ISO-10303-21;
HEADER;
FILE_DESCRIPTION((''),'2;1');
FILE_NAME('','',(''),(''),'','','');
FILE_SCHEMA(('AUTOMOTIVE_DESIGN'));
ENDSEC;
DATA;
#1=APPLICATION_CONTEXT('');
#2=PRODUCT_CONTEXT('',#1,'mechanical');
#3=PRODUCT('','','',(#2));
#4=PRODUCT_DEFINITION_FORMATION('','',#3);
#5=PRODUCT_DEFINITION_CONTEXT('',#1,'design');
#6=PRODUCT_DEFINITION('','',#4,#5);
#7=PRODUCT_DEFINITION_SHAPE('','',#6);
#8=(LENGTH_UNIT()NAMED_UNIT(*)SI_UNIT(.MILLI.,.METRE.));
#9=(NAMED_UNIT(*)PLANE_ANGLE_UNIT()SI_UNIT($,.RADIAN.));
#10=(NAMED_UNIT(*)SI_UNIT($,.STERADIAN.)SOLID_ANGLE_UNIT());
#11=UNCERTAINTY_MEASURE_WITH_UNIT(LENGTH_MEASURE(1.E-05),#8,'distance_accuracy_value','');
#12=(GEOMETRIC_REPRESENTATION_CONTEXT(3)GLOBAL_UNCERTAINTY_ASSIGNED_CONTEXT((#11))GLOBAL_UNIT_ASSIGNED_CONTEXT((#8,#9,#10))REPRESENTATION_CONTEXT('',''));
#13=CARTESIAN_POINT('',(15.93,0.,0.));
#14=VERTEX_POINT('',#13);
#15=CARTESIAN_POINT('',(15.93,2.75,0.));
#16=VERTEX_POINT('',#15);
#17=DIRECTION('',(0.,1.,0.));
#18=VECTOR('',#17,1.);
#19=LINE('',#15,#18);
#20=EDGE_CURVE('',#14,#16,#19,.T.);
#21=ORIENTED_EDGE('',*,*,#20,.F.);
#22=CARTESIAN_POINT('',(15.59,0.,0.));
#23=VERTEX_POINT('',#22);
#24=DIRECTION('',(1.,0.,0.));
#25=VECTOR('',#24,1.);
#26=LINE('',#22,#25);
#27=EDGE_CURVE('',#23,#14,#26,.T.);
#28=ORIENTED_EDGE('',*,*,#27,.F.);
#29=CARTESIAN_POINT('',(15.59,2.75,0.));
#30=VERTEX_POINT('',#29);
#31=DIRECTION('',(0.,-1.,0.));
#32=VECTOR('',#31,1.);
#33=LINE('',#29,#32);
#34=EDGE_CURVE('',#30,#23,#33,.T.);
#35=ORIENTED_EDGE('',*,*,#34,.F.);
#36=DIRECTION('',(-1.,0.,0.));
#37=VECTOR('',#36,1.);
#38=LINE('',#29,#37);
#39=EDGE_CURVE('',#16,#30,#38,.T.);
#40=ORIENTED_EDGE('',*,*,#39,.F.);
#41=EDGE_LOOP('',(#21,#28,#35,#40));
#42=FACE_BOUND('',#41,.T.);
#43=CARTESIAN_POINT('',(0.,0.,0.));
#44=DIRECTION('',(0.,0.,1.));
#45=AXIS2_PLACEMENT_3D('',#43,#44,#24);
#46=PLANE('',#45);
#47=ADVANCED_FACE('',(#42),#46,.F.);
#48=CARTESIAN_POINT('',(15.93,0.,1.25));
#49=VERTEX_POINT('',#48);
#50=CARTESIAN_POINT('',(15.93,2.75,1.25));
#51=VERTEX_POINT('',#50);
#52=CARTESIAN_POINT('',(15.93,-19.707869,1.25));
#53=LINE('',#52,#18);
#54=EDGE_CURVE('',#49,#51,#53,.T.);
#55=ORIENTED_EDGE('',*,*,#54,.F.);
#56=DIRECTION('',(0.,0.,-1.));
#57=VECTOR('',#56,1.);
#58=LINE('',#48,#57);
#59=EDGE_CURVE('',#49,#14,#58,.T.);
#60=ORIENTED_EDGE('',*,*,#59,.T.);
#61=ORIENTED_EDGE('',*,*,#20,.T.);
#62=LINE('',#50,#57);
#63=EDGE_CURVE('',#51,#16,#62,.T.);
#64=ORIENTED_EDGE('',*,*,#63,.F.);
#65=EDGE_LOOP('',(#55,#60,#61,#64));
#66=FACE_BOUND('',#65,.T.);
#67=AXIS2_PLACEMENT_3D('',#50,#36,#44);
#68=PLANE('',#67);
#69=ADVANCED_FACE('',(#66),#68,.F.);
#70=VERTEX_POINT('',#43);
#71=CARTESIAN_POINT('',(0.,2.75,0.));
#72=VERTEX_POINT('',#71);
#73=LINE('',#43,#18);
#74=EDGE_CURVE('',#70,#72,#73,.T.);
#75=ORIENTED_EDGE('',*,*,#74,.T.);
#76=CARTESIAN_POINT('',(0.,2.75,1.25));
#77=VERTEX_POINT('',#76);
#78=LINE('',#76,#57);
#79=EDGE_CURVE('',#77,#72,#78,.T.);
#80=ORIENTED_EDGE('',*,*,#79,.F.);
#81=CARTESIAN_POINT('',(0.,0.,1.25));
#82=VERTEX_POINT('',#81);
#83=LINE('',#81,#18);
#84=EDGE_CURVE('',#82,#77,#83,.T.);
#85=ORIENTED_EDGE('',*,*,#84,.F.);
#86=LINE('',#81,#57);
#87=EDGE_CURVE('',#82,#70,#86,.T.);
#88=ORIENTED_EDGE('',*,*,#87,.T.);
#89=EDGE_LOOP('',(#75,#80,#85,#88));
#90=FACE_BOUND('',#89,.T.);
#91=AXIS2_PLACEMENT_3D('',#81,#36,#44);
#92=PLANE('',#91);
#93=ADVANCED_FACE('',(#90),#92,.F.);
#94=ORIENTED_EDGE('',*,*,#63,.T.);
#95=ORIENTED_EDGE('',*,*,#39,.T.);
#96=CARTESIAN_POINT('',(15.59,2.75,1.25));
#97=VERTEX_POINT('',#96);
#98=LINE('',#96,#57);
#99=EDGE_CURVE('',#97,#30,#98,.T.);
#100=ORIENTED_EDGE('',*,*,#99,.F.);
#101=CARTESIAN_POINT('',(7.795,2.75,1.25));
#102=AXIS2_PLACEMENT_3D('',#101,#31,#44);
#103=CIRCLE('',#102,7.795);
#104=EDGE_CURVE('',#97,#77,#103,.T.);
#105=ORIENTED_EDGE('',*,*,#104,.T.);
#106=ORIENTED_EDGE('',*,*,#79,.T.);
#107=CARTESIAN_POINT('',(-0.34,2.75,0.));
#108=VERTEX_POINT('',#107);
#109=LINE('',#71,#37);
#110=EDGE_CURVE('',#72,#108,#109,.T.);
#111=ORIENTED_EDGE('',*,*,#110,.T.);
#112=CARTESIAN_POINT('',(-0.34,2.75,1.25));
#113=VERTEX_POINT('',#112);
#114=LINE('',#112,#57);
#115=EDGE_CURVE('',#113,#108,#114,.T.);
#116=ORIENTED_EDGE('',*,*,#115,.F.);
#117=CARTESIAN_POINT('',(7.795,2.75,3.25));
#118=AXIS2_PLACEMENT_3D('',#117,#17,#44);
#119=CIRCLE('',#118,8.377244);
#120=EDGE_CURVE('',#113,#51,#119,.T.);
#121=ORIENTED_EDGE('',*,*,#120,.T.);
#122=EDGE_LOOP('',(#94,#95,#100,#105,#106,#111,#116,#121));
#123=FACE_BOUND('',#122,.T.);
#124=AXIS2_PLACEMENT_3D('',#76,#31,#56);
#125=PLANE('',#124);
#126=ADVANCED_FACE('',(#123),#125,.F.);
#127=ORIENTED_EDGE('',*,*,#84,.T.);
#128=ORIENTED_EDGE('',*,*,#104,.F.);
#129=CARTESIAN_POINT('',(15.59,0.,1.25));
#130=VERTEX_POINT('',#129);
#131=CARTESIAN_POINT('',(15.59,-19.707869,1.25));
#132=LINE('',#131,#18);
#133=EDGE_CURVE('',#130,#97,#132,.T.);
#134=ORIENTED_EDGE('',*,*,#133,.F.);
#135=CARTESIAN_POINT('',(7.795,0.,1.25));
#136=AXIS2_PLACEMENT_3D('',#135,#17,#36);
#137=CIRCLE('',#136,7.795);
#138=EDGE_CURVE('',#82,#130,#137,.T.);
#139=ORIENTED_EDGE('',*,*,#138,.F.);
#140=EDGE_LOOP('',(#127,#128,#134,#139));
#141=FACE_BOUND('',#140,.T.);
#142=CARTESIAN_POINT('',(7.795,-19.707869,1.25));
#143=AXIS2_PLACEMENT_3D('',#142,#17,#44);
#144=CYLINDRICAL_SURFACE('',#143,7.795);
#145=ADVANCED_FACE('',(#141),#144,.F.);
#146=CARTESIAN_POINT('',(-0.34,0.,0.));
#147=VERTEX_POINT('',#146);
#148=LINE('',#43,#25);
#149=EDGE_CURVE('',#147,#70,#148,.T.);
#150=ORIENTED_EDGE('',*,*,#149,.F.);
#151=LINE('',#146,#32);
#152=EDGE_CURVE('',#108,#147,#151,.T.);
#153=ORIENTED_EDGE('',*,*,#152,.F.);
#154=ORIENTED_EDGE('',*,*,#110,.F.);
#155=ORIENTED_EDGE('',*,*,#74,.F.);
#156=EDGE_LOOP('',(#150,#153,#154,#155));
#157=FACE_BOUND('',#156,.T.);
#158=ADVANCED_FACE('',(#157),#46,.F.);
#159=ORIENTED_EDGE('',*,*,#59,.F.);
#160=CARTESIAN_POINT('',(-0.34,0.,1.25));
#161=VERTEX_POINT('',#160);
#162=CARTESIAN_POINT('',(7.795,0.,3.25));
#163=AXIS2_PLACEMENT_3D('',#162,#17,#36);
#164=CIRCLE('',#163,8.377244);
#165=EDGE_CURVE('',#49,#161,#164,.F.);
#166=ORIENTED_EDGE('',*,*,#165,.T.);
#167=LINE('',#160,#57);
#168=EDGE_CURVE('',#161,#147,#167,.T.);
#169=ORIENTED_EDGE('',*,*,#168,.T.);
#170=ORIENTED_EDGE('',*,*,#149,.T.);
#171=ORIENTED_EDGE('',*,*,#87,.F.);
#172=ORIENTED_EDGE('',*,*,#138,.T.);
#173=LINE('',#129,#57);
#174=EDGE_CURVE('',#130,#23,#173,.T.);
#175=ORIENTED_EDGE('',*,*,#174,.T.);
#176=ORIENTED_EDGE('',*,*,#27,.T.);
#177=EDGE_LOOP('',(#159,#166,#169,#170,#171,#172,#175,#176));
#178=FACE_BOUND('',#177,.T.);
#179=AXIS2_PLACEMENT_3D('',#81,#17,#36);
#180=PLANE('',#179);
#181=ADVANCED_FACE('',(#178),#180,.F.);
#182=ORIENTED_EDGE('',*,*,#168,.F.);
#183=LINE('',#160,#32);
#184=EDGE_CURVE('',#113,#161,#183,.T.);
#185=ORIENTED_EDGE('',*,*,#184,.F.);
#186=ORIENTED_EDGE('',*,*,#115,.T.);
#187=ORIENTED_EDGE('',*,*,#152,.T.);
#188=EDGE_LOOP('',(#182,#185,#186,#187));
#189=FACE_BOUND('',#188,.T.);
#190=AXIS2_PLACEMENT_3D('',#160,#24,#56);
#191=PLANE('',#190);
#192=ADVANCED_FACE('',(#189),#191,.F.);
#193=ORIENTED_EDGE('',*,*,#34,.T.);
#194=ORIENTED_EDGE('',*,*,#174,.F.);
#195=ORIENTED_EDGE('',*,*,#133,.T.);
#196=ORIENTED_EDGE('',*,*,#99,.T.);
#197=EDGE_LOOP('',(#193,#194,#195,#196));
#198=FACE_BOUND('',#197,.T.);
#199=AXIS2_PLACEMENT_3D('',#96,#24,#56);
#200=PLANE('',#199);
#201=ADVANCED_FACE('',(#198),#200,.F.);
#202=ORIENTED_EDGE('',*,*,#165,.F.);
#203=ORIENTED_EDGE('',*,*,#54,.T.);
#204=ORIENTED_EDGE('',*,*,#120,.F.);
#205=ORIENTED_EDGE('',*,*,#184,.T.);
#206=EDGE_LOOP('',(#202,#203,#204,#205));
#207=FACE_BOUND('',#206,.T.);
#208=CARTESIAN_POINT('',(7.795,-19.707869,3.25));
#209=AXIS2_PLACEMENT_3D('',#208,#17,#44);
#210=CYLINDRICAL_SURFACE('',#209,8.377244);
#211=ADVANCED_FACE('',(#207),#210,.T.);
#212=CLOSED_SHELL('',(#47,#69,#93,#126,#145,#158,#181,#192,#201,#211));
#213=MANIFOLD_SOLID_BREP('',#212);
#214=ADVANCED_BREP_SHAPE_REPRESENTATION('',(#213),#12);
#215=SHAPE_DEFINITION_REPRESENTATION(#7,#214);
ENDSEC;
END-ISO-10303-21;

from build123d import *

# Parameters (mm, degrees)
SKETCH1_W             = 0.34
SKETCH1_H             = 2.75
BOSS_EXTRUDE1_DEPTH   = 1.25
SKETCH1_W_2           = 0.339999955
BOSS_EXTRUDE1_2_DEPTH = 1.25
BOSS_EXTRUDE2_DEPTH   = 2.75


with BuildPart() as part:
    # Sketch1 → Boss-Extrude1 (new body)
    with BuildSketch(Plane.XY):
        with Locations((-0.17, 1.375)):
            Rectangle(SKETCH1_W, SKETCH1_H)
    extrude(amount=BOSS_EXTRUDE1_DEPTH)



with BuildPart() as body_2:
    # Sketch1 → Boss-Extrude1 2 (new body)
    with BuildSketch(Plane.XY):
        with Locations((15.759999978, 1.375)):
            Rectangle(SKETCH1_W_2, SKETCH1_H)
    extrude(amount=BOSS_EXTRUDE1_2_DEPTH)


with BuildPart() as part_1:
    add(part.part)

    add(body_2.part)  # Boss-Extrude2 merges body 2
    # Sketch2 → Boss-Extrude2 (add)
    with BuildSketch(Plane(origin=(0, 2.75, 0), x_dir=(1, 0, 0), z_dir=(0, 1, 0))):
        with BuildLine():
            Line((-0.339999955, -1.25), (0, -1.25))
            ThreePointArc((0, -1.25), (7.795, -9.045), (15.59, -1.25))
            Line((15.59, -1.25), (15.929999955, -1.25))
            ThreePointArc((15.929999955, -1.25), (7.795, -11.627244432), (-0.339999955, -1.25))
        make_face()
    extrude(amount=-BOSS_EXTRUDE2_DEPTH)


solid = part_1.part
